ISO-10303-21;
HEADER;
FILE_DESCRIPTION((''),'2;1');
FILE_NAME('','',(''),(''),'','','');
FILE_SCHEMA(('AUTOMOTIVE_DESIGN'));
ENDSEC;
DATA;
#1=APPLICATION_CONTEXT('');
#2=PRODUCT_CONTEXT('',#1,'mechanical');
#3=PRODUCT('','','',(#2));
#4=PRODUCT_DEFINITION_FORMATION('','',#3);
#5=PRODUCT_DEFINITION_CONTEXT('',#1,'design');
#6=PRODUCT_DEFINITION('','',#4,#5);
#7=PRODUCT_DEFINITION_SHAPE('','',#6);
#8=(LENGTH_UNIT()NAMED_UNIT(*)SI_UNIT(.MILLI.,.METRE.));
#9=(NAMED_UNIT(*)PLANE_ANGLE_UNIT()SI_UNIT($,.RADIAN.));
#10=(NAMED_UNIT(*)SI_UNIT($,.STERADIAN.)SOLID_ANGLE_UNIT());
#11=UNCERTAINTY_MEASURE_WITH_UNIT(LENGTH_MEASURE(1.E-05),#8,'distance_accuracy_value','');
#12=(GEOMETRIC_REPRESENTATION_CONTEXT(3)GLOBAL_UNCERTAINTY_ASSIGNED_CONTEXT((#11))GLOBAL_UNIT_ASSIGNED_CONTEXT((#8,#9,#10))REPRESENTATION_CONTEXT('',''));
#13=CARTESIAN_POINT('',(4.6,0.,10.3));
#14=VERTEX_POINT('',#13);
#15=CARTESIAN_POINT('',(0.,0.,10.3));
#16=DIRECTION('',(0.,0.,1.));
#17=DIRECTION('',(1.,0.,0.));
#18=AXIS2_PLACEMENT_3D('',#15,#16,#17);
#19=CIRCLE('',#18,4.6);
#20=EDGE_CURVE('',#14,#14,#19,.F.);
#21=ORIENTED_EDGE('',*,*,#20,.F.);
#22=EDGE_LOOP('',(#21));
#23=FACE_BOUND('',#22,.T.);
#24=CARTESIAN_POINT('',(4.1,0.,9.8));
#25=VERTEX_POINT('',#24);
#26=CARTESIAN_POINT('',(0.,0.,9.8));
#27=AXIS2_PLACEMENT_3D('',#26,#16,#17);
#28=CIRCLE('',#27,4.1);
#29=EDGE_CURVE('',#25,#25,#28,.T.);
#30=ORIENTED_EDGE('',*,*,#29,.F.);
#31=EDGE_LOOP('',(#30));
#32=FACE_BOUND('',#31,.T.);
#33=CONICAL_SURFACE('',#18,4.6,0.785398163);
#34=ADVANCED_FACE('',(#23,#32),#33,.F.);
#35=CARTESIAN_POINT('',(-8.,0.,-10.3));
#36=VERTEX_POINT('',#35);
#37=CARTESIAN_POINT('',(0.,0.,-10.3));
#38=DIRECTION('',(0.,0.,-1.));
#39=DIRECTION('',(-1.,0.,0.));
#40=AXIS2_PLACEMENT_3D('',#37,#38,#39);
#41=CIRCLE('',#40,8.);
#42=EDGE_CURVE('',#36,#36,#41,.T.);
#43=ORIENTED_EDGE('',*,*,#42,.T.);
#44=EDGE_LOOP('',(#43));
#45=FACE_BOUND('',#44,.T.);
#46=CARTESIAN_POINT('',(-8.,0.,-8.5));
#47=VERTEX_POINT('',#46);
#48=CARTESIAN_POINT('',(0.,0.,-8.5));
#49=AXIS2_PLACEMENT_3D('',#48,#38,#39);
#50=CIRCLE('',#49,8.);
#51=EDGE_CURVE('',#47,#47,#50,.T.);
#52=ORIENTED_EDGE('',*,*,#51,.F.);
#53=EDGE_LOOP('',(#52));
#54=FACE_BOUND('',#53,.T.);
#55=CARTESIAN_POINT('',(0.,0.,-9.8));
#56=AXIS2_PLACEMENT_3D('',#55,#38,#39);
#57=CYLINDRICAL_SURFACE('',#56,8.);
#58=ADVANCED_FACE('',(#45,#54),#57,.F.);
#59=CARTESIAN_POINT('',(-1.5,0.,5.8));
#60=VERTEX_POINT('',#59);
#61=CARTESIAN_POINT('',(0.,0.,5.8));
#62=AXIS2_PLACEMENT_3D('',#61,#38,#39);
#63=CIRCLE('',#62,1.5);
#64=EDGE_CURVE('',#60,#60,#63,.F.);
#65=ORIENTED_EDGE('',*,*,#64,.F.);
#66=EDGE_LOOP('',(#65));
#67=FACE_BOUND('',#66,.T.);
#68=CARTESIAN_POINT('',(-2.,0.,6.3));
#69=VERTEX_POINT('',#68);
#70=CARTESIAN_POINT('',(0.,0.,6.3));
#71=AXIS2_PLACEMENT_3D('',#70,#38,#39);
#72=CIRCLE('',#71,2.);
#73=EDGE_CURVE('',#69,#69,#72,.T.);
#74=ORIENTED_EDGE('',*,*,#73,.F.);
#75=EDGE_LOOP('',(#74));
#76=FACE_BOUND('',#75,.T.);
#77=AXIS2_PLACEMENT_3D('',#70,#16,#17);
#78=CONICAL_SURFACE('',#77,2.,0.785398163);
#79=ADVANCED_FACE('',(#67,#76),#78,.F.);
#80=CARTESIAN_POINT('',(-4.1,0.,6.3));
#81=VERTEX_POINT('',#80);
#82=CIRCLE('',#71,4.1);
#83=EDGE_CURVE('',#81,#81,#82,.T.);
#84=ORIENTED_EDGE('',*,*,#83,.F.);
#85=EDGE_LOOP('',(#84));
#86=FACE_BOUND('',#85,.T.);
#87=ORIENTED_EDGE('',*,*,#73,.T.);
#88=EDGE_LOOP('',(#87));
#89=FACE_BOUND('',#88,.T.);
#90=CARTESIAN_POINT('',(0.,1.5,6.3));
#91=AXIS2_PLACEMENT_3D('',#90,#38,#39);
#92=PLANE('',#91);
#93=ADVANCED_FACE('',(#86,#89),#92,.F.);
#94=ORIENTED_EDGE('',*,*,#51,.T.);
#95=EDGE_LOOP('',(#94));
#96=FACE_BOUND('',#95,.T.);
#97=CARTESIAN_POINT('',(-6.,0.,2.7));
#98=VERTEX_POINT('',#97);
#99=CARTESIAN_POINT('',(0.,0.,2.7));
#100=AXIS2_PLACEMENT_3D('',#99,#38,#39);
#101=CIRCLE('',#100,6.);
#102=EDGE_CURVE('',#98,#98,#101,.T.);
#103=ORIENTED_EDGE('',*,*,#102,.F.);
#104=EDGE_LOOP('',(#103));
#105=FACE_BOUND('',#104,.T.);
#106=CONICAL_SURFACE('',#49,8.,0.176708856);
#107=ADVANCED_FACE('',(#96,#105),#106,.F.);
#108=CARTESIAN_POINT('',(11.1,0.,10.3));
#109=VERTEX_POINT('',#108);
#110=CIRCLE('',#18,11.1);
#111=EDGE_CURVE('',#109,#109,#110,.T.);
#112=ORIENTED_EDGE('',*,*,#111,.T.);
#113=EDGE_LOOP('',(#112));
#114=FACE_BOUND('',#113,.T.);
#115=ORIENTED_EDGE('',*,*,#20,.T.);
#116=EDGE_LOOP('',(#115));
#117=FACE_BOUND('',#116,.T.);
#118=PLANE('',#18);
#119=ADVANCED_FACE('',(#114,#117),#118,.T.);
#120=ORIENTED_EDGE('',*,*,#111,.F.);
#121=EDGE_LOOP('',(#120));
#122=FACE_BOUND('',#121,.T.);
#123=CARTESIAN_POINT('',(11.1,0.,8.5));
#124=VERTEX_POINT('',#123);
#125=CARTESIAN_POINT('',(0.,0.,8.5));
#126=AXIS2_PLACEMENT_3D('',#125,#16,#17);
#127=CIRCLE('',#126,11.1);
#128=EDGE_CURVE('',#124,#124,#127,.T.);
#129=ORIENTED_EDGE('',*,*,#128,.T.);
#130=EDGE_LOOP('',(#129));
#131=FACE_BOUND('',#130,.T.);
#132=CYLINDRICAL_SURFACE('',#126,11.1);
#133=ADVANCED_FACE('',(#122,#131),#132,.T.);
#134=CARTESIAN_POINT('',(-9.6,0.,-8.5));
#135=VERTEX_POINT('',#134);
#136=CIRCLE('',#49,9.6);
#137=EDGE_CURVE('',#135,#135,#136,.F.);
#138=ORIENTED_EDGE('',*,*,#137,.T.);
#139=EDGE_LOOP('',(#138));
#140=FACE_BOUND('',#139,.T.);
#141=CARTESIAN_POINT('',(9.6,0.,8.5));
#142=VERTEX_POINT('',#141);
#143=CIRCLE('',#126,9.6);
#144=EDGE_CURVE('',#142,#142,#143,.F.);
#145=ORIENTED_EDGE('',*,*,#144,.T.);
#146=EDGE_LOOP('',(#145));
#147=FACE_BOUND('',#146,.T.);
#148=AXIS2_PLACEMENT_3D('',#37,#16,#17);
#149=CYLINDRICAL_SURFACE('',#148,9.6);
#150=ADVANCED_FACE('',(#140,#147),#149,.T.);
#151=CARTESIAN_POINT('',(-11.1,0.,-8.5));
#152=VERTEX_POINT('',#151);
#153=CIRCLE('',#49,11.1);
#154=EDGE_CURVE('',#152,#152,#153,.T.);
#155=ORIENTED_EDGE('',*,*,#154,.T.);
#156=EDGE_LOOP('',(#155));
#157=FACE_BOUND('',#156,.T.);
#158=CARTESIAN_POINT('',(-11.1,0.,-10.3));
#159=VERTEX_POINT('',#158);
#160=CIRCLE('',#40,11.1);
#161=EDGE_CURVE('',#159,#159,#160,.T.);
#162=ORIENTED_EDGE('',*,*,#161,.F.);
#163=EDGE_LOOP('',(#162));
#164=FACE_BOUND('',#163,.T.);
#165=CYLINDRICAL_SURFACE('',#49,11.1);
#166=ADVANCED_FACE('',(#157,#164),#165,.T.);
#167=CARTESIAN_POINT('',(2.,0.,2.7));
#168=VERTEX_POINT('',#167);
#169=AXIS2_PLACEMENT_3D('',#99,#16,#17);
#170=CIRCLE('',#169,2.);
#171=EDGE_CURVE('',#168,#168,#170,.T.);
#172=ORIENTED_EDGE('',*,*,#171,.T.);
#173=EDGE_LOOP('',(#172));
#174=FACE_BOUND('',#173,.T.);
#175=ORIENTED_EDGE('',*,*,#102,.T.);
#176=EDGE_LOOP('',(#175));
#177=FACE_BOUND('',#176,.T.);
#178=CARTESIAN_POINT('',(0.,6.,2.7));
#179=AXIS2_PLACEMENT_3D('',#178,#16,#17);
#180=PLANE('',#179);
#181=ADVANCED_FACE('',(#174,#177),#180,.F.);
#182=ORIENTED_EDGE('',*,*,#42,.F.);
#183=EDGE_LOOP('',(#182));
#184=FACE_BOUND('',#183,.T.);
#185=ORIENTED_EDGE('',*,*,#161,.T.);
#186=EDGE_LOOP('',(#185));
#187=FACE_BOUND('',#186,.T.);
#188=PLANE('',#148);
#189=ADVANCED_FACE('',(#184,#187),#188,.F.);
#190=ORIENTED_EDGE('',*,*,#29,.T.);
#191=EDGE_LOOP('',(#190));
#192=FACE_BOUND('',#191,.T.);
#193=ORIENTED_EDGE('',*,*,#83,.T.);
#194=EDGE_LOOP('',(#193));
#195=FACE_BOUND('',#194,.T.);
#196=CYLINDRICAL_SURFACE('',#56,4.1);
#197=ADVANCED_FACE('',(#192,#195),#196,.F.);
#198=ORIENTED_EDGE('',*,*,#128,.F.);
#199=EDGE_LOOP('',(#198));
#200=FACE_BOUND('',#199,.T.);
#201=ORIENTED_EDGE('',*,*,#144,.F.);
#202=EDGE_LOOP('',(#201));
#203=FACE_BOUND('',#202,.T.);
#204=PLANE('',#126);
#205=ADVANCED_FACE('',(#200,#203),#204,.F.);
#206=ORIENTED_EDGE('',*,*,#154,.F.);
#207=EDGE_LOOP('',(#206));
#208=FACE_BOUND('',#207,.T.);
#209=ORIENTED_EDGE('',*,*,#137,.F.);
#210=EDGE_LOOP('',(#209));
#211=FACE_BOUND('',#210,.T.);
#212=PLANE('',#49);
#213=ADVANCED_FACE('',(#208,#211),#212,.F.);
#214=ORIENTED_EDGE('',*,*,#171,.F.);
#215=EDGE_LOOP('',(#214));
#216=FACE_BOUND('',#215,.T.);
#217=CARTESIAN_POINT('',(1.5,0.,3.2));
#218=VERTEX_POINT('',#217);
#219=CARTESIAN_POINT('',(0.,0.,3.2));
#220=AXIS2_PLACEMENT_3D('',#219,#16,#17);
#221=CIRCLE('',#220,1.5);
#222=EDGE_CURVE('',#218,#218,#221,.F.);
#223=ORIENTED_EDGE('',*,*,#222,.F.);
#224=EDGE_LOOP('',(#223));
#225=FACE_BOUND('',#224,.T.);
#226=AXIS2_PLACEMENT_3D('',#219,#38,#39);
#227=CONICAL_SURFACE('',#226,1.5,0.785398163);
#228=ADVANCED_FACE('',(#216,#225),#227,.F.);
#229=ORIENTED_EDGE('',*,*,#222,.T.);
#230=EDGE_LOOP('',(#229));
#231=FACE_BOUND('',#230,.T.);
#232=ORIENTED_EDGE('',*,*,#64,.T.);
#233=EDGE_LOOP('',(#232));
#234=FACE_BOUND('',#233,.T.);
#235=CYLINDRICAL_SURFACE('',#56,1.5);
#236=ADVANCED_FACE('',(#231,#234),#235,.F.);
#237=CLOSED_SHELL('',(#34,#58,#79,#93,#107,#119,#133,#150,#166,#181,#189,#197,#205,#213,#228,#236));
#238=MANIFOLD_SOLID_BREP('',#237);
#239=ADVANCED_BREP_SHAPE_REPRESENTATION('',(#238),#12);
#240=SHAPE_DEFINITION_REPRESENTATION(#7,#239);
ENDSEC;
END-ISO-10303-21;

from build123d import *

# Parameters (mm, degrees)
AUFSATZ_LINEAR_AUSTRAGEN1_DEPTH      = 10.3
AUFSATZ_LINEAR_AUSTRAGEN1_DEPTH_BACK = 10.3
SKIZZE1_R                            = 9.6
SKIZZE2_R                            = 11.1
AUFSATZ_LINEAR_AUSTRAGEN2_DEPTH      = 1.8
AUFSATZ_LINEAR_START                 = -1.8
SKIZZE3_R                            = 11.1
AUFSATZ_LINEAR_AUSTRAGEN3_DEPTH      = 1.8
FASE1_SIZE                           = 0.5


with BuildPart() as part:
    # Skizze1 → Aufsatz-Linear austragen1 (new, two sides: drawn at the far end of the back side and taken through both)
    with BuildSketch(Plane.XY.offset(-AUFSATZ_LINEAR_AUSTRAGEN1_DEPTH_BACK)):
        Circle(SKIZZE1_R)
    extrude(amount=AUFSATZ_LINEAR_AUSTRAGEN1_DEPTH + AUFSATZ_LINEAR_AUSTRAGEN1_DEPTH_BACK)

    # Skizze2 → Aufsatz-Linear austragen2 (add)
    with BuildSketch(Plane.XY.offset(10.3)):
        Circle(SKIZZE2_R)
    extrude(amount=-AUFSATZ_LINEAR_AUSTRAGEN2_DEPTH)

    # Skizze3 → Aufsatz-Linear austragen3 (add)
    with BuildSketch(Plane(origin=(0, 0, -10.3), x_dir=(-1, 0, 0), z_dir=(0, 0, -1)).offset(AUFSATZ_LINEAR_START)):
        Circle(SKIZZE3_R)
    extrude(amount=AUFSATZ_LINEAR_AUSTRAGEN3_DEPTH)

    # Skizze8 → Schnitt-Rotation1 (revolve, cut)
    with BuildSketch(Plane(origin=(0, 0, 0), x_dir=(0, 0, -1), z_dir=(1, 0, 0))):
        Polygon((10.3, 0), (10.3, 8), (8.5, 8), (-2.7, 6), (-2.7, 1.5), (-6.3, 1.5), (-6.3, 4.1), (-10.3, 4.1), (-10.3, 0), align=None)
    revolve(axis=Axis((0, 0, -9.8), (0, 0, 1)), mode=Mode.SUBTRACT)

    # Fase1
    fase1_edges = [part.edges().sort_by_distance(p)[0] for p in [
        (0, -1.5, 6.3),
        (0, -1.5, 2.7),
        (0, -4.1, 10.3),
    ]]
    chamfer(fase1_edges, length=FASE1_SIZE)


solid = part.part
